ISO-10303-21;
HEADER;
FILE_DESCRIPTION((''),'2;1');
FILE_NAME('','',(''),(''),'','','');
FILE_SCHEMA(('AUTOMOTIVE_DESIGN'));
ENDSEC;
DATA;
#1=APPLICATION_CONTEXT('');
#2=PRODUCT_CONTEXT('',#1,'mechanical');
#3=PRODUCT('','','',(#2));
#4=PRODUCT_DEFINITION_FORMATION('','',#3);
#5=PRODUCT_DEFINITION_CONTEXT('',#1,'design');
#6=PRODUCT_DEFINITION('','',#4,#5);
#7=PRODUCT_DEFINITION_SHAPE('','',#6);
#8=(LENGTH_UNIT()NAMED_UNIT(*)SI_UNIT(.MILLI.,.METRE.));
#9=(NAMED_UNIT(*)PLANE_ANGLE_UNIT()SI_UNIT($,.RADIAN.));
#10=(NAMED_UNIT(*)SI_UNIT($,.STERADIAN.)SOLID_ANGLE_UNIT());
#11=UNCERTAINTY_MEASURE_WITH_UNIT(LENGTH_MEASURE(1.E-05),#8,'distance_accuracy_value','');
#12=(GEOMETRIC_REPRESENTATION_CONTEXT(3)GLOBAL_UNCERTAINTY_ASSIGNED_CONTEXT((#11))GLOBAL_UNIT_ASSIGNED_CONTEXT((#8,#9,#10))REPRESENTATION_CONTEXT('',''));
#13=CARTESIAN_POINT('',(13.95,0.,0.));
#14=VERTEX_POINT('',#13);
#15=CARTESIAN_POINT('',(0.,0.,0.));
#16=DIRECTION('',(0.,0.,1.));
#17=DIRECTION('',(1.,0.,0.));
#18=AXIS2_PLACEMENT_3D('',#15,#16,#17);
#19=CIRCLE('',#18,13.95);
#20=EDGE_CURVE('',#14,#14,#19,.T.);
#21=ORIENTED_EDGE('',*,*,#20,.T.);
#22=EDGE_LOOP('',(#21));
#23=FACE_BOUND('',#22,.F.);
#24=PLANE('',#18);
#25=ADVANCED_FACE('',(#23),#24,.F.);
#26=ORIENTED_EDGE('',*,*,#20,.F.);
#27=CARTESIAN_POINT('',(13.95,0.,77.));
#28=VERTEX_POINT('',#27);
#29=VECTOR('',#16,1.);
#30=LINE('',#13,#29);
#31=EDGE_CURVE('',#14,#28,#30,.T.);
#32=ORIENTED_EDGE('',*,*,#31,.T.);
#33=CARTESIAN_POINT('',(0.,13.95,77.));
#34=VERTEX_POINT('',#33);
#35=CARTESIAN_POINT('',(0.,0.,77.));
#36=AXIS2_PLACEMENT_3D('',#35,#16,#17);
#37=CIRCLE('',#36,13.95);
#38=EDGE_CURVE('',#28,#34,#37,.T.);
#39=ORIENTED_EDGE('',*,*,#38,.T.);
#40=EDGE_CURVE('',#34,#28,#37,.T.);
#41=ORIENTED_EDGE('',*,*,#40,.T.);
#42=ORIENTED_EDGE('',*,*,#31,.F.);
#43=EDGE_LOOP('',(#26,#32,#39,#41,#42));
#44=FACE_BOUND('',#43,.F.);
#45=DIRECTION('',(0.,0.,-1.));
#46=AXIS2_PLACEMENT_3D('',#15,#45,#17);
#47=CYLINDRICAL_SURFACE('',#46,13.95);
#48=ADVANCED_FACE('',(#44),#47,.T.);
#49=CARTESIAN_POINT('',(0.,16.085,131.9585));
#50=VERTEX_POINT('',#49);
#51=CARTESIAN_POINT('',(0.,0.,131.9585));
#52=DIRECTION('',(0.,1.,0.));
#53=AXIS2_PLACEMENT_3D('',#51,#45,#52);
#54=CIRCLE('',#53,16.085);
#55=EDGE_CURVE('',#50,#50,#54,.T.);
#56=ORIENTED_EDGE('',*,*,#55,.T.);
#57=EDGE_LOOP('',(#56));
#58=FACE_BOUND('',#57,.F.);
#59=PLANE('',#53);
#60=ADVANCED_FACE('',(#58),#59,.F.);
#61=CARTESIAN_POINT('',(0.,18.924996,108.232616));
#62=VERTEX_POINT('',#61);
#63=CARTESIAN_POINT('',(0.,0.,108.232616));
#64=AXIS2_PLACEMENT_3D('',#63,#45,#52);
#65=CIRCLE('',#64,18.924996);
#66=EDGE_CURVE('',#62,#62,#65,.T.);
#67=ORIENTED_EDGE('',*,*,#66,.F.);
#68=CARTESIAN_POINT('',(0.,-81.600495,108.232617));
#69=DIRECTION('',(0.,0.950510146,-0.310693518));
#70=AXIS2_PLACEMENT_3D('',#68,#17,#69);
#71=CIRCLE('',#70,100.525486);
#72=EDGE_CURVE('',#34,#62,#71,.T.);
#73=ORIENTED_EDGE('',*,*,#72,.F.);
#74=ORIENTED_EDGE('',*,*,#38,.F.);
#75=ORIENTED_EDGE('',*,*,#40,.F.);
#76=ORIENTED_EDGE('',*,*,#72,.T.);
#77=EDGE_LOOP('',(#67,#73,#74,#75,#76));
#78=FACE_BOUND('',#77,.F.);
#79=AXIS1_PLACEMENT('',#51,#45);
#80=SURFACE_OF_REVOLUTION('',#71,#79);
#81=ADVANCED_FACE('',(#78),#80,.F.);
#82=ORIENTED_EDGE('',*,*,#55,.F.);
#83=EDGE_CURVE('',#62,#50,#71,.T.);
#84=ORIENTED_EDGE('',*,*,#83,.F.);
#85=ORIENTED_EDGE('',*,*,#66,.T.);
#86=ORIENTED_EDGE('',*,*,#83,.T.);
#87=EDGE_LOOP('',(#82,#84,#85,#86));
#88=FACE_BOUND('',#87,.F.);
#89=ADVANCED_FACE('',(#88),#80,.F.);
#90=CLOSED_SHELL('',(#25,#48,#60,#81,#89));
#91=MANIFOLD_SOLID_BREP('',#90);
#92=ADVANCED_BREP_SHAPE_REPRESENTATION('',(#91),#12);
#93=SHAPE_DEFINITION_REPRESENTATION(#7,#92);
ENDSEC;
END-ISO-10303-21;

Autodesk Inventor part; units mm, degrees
ref_plane "YZ Plane" through (0, 0, 0) normal (1, 0, 0) x (0, 1, 0)
ref_plane "XZ Plane" through (0, 0, 0) normal (0, 1, 0) x (-1, 0, 0)
ref_plane "XY Plane" through (0, 0, 0) normal (0, 0, 1) x (1, 0, 0)
sketch "Skizze1" plane through (0, 0, 0) normal (0, 0, 1) x (1, 0, 0)
  circle A0 centre (0, 0) radius 13.95
  dimension "d0" = 27.9
extrude "Extrusion1" add sketch "Skizze1" along normal blind 77
sketch "Skizze2" plane through (0, 0, 0) normal (1, 0, 0) x (0, 1, 0)
  line L0 (13.95, 0) -> (13.95, 77) projected
  arc A0 (13.95, 77) -> (16.085, 131.9585) centre (-81.6004, 108.2326) ccw
  line L1 (16.085, 131.9585) -> (0, 131.9585)
  line L2 (0, 131.9585) -> (0, 77)
  line L3 (13.95, 77) -> (-13.95, 77) projected
  line L4 (13.95, 77) -> (0, 77)
  line L5 (18.925, 132.8212) -> (18.925, 80.1833)
  point P0 (0, 0)
  dimension "d3" = 55
  dimension "d4" = 18.925
  dimension "d6" = 16.085
revolve "Umdrehung1" add sketch "Skizze2" angle 360 about axis through (0, 0, 131.9585) along (0, 0, -1)
properties part number "00_flashlight_FX_light_FC4_Pollin"
